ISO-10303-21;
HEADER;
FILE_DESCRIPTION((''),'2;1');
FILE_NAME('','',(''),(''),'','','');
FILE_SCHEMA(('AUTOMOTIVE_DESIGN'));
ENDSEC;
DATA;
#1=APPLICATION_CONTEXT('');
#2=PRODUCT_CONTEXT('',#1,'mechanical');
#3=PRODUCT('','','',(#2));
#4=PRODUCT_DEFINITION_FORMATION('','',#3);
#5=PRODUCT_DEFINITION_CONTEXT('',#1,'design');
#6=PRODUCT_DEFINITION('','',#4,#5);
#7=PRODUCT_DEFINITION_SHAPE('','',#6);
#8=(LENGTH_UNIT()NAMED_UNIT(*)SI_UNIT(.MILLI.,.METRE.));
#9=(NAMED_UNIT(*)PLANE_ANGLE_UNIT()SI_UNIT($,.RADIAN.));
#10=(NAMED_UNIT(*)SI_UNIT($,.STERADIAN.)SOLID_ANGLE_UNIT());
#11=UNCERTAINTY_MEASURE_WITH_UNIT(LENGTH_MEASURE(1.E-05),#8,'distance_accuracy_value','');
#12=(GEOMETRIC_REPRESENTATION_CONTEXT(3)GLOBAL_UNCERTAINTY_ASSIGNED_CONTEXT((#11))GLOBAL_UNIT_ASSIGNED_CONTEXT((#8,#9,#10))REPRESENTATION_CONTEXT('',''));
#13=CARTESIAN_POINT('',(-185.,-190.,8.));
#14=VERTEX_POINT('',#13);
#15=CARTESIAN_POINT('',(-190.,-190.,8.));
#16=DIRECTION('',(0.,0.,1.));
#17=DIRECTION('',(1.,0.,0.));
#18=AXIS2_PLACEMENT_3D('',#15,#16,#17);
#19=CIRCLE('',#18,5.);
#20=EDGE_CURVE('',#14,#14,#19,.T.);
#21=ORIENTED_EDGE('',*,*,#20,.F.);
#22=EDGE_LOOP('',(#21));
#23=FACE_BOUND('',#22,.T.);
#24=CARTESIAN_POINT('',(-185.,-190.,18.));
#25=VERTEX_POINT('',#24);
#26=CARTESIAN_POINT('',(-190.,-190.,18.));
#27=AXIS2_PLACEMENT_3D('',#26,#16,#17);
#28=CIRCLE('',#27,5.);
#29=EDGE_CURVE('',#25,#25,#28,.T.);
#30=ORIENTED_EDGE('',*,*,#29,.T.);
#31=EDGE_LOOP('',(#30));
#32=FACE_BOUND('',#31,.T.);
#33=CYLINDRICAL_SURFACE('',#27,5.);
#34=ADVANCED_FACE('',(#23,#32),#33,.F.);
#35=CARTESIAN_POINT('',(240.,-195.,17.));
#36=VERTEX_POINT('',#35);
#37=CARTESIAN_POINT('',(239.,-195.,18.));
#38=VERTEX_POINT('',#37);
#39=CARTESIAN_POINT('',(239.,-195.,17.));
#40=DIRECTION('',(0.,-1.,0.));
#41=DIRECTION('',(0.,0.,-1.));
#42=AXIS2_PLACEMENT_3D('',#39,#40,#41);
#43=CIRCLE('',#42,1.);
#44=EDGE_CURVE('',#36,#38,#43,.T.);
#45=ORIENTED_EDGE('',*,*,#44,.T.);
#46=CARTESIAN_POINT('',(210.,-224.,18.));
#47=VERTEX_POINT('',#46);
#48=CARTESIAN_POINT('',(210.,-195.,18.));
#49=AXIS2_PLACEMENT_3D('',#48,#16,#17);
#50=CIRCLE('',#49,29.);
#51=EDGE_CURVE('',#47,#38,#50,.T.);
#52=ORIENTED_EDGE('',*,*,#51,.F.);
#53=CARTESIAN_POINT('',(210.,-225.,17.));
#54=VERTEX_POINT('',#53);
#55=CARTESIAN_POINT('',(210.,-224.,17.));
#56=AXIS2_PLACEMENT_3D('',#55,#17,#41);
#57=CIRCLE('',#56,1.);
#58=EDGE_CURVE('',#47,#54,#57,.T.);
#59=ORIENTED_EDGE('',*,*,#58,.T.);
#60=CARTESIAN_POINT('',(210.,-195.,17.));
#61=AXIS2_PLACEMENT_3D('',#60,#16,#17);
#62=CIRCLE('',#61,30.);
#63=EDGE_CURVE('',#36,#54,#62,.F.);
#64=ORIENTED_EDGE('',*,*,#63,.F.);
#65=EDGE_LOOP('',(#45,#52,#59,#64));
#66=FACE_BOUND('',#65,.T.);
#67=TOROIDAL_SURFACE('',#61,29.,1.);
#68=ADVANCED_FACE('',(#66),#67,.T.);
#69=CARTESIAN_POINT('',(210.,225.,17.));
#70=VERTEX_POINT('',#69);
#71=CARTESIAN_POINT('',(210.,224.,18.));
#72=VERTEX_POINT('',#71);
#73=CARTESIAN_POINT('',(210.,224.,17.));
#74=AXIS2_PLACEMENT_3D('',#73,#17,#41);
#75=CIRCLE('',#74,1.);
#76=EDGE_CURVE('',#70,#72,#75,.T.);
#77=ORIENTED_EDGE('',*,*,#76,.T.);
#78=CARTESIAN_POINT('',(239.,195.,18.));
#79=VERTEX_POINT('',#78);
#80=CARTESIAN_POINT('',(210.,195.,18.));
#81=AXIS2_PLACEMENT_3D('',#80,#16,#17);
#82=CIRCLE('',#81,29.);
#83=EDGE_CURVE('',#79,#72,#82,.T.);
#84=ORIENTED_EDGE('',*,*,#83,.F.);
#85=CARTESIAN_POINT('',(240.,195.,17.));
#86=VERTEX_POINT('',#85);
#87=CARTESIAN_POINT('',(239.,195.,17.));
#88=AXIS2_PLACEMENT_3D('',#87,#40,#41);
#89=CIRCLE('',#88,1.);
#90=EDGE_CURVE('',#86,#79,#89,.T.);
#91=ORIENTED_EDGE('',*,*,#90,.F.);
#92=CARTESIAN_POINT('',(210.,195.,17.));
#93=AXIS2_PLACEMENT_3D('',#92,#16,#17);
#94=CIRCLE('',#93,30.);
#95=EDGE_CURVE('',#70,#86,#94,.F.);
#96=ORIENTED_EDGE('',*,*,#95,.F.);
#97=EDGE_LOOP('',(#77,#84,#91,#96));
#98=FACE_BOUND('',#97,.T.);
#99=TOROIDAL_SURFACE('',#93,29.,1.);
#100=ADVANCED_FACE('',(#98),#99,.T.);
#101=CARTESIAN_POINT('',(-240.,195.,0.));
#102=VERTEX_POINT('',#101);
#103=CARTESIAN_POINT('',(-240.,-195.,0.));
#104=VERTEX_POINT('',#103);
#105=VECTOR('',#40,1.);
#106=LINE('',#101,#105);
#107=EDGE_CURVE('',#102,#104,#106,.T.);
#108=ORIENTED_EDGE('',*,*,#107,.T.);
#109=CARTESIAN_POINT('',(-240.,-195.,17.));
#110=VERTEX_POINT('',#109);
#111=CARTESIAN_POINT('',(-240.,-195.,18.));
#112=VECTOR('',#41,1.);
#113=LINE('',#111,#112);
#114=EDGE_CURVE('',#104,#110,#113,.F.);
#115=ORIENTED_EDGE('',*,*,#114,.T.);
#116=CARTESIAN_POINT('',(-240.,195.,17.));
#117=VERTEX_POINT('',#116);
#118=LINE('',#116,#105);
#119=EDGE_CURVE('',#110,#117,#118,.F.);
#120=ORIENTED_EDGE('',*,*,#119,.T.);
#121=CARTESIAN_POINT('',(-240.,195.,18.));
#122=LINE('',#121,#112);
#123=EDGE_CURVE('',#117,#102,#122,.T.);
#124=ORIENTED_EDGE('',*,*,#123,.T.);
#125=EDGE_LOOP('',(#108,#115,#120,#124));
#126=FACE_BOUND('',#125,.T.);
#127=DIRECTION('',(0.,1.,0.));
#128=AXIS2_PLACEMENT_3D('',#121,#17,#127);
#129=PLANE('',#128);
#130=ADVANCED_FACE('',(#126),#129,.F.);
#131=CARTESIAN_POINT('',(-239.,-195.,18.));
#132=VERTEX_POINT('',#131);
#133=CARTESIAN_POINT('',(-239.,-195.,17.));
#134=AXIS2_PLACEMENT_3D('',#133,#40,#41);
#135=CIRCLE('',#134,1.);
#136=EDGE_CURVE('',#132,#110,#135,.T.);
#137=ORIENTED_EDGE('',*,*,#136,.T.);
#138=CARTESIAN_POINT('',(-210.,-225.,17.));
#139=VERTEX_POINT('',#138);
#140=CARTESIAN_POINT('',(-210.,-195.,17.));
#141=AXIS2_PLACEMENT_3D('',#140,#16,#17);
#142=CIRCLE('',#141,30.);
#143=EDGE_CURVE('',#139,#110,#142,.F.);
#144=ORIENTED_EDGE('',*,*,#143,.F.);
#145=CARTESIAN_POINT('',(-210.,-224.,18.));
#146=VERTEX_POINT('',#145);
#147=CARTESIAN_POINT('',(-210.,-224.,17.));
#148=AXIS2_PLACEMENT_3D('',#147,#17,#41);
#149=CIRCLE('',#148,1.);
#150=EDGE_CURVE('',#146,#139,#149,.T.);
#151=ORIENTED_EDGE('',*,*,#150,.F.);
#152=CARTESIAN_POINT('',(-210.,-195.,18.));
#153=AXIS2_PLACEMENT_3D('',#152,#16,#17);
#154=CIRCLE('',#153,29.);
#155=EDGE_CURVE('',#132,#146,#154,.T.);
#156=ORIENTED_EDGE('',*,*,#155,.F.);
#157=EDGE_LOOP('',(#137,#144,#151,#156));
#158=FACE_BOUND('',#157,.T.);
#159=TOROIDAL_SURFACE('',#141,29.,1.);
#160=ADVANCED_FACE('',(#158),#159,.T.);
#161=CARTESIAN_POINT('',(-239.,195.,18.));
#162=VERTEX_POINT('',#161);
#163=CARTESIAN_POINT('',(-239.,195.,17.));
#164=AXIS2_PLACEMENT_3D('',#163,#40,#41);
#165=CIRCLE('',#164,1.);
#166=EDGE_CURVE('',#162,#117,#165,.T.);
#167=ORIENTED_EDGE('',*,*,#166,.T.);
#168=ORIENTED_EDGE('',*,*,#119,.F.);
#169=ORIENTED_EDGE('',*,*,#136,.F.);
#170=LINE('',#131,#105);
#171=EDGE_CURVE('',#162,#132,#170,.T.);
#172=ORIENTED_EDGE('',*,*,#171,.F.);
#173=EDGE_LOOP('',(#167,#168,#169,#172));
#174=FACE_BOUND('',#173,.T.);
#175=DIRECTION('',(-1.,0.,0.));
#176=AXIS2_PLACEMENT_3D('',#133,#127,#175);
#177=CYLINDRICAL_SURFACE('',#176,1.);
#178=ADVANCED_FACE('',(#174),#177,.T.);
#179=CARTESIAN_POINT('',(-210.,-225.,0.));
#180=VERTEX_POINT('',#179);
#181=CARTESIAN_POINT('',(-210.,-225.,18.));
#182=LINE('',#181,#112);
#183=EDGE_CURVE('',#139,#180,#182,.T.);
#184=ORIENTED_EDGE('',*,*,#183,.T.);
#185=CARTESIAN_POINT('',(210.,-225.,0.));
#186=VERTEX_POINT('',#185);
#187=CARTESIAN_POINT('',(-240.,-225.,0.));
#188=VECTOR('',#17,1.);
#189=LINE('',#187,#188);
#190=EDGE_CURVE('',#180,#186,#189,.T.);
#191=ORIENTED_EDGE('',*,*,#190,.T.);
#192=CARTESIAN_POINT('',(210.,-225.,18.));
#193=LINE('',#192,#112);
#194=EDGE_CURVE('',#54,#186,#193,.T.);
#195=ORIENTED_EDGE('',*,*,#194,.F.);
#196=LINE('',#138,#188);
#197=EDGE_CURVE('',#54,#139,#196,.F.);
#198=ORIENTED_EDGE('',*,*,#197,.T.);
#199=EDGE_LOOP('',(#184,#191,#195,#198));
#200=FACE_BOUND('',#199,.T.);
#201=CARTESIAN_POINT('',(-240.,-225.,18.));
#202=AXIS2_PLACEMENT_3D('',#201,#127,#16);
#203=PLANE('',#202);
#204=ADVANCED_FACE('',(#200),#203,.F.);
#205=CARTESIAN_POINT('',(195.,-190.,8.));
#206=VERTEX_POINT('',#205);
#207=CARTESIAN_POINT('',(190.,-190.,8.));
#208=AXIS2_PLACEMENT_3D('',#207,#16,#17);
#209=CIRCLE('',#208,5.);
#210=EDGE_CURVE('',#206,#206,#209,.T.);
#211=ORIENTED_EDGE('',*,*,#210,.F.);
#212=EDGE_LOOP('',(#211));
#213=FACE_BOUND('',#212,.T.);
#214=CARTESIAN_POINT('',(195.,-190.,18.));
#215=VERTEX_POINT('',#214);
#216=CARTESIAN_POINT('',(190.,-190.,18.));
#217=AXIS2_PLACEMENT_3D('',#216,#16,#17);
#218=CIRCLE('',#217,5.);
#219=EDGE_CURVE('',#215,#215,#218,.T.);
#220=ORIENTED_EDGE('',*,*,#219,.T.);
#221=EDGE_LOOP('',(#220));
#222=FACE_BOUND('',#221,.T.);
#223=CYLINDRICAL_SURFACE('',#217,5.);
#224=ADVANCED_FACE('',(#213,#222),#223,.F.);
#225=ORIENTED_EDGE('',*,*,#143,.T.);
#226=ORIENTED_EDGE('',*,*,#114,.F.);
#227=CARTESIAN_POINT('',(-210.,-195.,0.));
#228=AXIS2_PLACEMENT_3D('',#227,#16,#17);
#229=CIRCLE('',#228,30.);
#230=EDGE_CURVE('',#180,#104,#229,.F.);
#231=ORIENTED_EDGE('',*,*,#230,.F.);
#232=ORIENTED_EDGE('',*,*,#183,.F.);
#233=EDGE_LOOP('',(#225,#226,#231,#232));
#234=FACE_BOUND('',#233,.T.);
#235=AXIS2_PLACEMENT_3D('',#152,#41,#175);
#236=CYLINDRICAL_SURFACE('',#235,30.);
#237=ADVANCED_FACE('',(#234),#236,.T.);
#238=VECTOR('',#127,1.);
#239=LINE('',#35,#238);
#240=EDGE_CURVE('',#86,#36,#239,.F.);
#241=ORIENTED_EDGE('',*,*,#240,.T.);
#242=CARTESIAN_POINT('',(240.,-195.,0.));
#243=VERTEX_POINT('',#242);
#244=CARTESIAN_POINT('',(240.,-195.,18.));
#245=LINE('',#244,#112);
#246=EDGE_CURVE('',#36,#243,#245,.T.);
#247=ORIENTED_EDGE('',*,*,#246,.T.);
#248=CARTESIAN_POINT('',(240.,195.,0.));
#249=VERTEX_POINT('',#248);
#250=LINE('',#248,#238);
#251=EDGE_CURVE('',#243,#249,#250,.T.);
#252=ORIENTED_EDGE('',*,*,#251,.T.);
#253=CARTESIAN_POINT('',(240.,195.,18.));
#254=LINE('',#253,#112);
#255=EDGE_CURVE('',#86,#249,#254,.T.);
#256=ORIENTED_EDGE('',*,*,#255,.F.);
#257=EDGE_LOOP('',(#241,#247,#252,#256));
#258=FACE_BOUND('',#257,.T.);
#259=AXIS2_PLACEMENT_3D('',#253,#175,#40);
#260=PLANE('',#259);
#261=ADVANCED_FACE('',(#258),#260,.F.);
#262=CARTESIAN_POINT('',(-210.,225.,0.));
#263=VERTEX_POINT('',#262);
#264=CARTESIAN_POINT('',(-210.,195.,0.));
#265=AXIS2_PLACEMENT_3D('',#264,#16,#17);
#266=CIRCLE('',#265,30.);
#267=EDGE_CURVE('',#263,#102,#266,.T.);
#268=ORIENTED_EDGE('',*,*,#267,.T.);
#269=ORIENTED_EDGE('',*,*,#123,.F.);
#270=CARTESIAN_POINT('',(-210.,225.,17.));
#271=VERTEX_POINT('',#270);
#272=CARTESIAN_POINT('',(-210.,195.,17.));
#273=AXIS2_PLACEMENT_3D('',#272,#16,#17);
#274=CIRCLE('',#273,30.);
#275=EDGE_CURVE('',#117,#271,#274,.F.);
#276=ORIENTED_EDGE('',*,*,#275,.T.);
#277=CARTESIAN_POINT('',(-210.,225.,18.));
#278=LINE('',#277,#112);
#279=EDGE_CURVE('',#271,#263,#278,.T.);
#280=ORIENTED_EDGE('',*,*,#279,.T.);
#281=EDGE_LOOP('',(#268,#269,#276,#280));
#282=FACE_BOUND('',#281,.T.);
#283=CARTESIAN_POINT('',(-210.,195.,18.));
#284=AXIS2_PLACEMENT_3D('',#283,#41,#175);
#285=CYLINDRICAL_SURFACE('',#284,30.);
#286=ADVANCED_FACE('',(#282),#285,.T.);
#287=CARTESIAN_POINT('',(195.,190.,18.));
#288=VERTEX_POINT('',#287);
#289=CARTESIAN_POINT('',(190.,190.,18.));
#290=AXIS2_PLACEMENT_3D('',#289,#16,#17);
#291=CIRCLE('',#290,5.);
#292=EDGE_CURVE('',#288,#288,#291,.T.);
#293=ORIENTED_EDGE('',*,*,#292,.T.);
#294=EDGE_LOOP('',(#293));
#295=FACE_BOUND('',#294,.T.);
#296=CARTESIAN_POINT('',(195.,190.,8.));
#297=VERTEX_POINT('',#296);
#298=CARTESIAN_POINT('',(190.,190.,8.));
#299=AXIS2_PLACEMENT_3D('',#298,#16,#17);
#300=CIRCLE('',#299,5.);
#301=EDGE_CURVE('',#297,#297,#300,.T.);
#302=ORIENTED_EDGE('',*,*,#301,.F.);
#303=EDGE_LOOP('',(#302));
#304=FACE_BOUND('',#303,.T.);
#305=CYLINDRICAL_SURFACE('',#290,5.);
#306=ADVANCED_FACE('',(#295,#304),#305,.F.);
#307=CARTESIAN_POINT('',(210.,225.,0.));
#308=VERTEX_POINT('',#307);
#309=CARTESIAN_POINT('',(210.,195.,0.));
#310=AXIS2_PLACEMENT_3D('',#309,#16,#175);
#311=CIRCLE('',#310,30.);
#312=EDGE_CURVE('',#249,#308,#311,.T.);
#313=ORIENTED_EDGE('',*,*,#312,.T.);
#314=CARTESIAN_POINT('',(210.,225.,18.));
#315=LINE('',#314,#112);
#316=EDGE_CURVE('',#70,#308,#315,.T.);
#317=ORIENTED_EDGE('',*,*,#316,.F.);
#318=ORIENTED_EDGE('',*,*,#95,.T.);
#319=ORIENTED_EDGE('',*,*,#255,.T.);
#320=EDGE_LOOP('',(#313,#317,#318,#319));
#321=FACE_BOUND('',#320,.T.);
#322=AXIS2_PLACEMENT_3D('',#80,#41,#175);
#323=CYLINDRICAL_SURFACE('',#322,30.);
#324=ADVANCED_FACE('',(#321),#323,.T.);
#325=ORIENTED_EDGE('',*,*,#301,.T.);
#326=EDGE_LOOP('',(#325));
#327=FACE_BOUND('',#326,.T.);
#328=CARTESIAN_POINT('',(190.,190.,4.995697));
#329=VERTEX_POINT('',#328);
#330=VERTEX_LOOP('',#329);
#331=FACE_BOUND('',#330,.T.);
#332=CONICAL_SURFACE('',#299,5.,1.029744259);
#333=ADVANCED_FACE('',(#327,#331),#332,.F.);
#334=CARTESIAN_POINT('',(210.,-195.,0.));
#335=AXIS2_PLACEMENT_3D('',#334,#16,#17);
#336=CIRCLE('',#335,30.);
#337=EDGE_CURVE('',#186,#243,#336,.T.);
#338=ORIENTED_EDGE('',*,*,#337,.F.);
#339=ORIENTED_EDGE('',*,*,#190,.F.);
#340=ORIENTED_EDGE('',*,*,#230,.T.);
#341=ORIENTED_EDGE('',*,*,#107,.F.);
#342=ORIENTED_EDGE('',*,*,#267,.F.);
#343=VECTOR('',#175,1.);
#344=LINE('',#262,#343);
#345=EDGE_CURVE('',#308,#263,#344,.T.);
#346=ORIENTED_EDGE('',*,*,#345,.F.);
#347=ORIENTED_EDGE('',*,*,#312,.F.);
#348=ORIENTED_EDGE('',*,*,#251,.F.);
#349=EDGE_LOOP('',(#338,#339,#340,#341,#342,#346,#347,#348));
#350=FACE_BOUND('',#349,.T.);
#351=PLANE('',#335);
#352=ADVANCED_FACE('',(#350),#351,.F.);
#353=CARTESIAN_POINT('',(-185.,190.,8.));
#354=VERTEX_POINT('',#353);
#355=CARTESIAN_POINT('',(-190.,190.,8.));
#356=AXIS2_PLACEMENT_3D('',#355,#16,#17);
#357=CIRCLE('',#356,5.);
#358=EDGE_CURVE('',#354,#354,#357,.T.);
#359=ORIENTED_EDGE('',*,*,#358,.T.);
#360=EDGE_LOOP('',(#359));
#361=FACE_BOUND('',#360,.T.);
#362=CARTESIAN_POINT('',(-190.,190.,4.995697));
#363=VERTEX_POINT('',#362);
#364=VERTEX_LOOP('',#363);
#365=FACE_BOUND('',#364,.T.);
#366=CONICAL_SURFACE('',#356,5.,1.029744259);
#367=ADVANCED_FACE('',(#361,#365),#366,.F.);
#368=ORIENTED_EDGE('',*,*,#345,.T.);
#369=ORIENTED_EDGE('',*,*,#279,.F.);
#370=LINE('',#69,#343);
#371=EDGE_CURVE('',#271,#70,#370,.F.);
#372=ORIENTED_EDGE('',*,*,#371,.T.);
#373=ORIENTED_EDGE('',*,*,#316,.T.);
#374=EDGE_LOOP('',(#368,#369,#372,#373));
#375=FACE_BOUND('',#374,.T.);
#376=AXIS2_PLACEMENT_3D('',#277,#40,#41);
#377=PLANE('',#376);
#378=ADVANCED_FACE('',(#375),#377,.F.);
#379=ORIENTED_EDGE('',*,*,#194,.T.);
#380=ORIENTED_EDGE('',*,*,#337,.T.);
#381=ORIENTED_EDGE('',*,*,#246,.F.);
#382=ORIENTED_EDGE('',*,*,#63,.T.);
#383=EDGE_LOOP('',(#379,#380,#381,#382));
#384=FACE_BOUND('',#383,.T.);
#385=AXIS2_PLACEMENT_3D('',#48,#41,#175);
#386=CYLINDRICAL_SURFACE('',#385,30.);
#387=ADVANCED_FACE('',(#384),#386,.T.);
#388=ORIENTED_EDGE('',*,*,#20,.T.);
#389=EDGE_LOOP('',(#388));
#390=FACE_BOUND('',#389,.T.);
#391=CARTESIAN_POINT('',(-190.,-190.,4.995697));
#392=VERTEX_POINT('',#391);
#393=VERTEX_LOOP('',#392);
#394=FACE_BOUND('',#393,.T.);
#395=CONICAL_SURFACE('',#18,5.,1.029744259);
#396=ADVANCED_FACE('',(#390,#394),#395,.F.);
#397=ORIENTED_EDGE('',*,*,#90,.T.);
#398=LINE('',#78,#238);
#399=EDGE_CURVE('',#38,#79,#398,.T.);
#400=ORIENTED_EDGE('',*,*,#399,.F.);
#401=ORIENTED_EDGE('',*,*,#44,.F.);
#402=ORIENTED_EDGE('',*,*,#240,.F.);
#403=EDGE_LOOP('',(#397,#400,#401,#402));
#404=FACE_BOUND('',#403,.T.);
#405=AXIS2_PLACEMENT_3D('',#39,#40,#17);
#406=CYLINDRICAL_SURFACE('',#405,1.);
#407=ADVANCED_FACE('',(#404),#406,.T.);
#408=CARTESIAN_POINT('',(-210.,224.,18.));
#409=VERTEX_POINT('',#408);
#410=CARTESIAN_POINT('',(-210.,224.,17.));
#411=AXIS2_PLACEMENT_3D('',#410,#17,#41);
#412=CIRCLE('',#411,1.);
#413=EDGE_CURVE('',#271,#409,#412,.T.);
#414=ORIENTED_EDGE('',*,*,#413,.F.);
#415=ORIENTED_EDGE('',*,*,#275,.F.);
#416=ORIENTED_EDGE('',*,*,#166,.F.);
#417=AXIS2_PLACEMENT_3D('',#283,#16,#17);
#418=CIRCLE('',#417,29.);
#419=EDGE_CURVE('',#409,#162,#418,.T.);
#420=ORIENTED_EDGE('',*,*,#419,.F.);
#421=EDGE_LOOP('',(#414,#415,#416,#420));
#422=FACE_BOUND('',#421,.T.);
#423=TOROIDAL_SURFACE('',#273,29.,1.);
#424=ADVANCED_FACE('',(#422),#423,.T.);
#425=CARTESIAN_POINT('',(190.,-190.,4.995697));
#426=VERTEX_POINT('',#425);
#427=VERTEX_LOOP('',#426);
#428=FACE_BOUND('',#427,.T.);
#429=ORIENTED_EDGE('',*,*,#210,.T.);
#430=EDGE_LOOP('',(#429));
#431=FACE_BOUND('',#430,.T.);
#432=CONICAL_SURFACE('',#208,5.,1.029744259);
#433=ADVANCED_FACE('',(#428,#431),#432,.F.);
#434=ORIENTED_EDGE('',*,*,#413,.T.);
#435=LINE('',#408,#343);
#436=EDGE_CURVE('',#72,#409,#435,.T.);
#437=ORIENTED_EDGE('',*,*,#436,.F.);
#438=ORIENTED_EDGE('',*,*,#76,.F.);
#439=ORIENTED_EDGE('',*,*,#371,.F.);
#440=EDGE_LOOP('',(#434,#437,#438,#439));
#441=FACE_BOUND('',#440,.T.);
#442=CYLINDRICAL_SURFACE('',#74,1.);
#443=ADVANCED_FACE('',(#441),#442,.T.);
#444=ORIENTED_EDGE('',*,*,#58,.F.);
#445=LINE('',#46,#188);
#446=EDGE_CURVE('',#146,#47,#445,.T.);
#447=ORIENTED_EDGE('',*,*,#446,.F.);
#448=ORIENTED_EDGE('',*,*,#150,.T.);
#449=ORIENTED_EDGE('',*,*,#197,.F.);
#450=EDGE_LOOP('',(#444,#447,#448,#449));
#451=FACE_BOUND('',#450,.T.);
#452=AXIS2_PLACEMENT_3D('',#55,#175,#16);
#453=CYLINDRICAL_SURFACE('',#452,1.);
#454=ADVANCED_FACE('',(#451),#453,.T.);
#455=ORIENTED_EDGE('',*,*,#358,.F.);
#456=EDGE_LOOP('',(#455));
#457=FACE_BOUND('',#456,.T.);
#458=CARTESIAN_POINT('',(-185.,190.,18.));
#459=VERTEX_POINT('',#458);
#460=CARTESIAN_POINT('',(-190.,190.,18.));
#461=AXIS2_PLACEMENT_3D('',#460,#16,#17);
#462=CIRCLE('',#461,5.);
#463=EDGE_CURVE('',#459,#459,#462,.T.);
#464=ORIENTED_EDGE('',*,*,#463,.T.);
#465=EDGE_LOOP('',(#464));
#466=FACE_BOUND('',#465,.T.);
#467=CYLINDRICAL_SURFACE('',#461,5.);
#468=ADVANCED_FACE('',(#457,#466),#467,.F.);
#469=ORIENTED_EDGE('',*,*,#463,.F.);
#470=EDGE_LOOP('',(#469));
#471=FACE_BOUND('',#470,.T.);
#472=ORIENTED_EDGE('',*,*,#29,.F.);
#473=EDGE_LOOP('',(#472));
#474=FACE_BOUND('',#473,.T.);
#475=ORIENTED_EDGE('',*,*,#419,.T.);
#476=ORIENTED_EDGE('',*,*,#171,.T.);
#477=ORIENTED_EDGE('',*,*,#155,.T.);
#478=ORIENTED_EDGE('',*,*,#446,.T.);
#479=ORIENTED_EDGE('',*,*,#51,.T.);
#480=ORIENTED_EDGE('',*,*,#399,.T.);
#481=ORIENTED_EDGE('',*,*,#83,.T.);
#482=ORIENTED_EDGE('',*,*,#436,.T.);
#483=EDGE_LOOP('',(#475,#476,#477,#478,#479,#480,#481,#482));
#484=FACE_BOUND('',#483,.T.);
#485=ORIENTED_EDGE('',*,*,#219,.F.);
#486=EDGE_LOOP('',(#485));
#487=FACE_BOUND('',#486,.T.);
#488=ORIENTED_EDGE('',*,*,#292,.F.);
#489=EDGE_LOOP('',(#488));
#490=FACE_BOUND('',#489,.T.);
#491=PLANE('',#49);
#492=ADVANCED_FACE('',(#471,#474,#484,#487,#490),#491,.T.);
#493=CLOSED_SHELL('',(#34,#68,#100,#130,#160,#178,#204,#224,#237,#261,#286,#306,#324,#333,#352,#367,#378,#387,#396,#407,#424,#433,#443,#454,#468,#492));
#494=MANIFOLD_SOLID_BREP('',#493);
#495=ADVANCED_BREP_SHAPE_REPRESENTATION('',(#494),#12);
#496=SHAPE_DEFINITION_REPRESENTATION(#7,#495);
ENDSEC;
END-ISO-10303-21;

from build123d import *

# Parameters (mm, degrees)
P_IDAT_VYSUNUT_M1_DEPTH      = 18
D_RY_PRO_KOL_K_10_0MM1_D     = 10
D_RY_PRO_KOL_K_10_0MM1_DEPTH = 10
D_RY_PRO_KOL_K_10_0MM1_TIP   = 3.004303095
ZAOBLIT1_R                   = 30
ZAOBLIT2_R                   = 1


with BuildPart() as part:
    # Skica1 → Přidat vysunutím1 (new body)
    with BuildSketch(Plane.XY):
        with BuildLine():
            Line((-210, 225), (210, 225))
            ThreePointArc((210, 225), (231.213203436, 216.213203436), (240, 195))
            Line((240, 195), (240, -195))
            ThreePointArc((240, -195), (231.213203436, -216.213203436), (210, -225))
            Line((210, -225), (-240, -225))
            Line((-240, -225), (-240, 195))
            ThreePointArc((-240, 195), (-231.213203436, 216.213203436), (-210, 225))
        make_face()
    extrude(amount=P_IDAT_VYSUNUT_M1_DEPTH)

    # Díry pro kolík, Ø10.0mm1
    with Locations(Plane.XY.offset(18)):
        with Locations((-190, 190), (190, 190), (190, -190), (-190, -190)):
            Hole(D_RY_PRO_KOL_K_10_0MM1_D / 2, depth=D_RY_PRO_KOL_K_10_0MM1_DEPTH)
            with Locations((0, 0, -(D_RY_PRO_KOL_K_10_0MM1_DEPTH + D_RY_PRO_KOL_K_10_0MM1_TIP / 2))):  # 118° drill point
                Cone(0, D_RY_PRO_KOL_K_10_0MM1_D / 2, D_RY_PRO_KOL_K_10_0MM1_TIP, mode=Mode.SUBTRACT)

    # Zaoblit1
    zaoblit1_edges = [part.edges().sort_by_distance(p)[0] for p in [
        (-240, -225, 9),
    ]]
    fillet(zaoblit1_edges, radius=ZAOBLIT1_R)

    # Zaoblit2
    zaoblit2_edges = [part.edges().sort_by_distance(p)[0] for p in [
        (240, 0, 18),
        (231.213203436, 216.213203436, 18),
        (0, 225, 18),
        (-231.213203436, 216.213203436, 18),
        (-240, 0, 18),
        (0, -225, 18),
        (-231.213203436, -216.213203436, 18),
        (231.213203436, -216.213203436, 18),
    ]]
    fillet(zaoblit2_edges, radius=ZAOBLIT2_R)


solid = part.part
